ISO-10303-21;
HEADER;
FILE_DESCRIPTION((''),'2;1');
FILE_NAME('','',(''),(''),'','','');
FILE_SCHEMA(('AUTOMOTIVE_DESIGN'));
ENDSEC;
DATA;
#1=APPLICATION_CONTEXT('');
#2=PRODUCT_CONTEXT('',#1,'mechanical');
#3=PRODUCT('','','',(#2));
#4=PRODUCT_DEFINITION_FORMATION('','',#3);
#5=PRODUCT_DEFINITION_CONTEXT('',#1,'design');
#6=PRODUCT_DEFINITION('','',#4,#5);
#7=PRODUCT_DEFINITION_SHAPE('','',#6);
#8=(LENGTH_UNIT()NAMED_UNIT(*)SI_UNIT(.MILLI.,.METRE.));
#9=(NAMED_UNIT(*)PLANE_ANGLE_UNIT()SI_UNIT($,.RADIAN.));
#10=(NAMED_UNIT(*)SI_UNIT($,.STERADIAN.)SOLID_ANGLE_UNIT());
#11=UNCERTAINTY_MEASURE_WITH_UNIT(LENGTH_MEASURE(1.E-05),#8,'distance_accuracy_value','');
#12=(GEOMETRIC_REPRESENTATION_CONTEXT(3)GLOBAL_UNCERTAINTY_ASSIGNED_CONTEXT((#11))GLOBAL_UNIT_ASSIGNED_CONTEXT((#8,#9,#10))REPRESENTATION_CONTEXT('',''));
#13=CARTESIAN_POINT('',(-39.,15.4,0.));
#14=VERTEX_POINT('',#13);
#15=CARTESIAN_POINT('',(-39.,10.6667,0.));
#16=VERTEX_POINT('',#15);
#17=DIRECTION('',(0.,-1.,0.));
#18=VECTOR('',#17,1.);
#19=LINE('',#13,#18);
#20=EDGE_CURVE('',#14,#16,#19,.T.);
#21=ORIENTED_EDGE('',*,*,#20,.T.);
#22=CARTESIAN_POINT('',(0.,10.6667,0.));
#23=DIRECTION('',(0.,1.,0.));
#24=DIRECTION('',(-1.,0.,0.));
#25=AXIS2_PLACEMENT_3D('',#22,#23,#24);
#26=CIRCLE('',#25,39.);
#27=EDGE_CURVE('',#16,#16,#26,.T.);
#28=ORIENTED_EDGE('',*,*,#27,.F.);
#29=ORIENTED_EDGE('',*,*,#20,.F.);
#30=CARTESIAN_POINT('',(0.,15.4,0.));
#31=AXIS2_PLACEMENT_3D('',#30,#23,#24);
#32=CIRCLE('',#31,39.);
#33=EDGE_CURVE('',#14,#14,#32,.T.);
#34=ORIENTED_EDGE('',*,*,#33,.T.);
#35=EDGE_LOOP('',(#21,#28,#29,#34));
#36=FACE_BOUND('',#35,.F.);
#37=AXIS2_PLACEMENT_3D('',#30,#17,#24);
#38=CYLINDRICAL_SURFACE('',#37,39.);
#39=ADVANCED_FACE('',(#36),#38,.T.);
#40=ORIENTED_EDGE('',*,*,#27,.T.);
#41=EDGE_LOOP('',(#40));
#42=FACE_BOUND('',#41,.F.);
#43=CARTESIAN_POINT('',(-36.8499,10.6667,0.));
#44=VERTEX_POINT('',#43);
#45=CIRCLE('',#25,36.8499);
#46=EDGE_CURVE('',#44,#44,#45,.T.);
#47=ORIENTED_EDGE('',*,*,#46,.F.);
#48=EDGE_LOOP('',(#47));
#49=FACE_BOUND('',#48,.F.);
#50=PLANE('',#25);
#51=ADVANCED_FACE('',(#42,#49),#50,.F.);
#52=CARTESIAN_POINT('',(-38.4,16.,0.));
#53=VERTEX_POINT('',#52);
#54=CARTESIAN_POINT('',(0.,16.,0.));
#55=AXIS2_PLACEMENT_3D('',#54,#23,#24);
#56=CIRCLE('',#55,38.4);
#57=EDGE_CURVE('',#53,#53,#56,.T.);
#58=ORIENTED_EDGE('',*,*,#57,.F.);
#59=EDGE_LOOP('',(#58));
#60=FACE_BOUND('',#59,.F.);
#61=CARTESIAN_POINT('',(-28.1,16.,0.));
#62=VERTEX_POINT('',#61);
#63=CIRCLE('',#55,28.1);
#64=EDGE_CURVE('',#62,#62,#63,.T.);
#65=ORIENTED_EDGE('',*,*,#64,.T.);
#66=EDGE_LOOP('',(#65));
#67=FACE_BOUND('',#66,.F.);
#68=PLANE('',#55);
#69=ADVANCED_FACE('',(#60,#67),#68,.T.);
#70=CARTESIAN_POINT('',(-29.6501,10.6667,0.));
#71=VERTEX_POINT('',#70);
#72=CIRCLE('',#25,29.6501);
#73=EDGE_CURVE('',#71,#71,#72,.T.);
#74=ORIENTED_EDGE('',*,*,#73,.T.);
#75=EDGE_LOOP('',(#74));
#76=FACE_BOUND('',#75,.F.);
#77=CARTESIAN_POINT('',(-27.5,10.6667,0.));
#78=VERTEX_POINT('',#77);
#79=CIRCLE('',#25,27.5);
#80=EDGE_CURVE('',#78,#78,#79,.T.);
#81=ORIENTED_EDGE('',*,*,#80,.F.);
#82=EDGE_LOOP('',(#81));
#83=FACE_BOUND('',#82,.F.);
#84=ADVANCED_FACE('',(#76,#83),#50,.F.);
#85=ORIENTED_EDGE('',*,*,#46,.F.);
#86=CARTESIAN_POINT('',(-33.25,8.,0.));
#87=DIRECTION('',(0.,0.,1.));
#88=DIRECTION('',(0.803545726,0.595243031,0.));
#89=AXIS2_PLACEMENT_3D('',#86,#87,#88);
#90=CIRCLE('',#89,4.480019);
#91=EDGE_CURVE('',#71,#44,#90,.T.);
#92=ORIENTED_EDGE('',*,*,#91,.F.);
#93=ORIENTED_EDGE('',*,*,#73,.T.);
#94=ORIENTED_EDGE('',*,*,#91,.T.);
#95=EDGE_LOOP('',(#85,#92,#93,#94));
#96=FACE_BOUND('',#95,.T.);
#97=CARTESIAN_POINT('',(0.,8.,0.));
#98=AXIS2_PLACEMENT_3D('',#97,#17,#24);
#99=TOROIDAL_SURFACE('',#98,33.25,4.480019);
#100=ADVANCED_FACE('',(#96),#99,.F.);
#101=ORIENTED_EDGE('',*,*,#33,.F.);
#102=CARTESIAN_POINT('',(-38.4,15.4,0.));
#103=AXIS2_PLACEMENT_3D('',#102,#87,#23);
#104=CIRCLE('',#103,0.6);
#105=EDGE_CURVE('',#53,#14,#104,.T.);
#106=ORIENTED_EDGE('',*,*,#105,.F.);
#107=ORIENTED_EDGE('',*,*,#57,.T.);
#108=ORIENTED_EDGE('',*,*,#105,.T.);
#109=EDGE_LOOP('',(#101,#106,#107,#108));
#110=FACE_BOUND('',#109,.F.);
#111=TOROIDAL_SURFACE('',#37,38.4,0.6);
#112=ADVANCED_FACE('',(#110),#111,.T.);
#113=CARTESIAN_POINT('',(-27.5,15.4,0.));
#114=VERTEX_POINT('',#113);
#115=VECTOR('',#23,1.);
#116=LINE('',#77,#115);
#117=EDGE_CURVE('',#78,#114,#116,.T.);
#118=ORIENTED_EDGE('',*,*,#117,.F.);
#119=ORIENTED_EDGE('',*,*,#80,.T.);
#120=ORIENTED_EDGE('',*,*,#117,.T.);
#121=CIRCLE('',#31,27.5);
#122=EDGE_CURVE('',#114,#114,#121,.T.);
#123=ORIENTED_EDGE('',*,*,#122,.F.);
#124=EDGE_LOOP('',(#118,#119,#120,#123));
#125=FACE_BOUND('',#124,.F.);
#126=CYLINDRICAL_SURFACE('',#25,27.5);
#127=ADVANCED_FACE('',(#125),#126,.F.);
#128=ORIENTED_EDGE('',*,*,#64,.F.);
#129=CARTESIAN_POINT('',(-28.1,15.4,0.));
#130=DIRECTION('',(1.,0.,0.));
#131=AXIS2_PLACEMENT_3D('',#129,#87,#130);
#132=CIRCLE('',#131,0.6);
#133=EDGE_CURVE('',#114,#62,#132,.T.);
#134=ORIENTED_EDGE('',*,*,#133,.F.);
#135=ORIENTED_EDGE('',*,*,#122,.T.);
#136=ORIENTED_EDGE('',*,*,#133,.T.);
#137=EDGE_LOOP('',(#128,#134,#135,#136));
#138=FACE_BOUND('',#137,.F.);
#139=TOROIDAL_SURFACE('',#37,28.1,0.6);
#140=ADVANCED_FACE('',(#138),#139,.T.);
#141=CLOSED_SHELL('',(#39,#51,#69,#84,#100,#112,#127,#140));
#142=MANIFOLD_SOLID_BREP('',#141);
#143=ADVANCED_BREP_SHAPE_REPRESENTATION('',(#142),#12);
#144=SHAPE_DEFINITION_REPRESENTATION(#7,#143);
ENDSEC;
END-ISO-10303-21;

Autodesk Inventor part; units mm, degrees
sketch "Sketch_1" plane through (0, 0, 0) normal (0, 0, 1) x (1, 0, 0)
  line L0 (0, 16) -> (0, 10.6667)
  line L1 (-39, 10.6667) -> (-36.8499, 10.6667)
  arc A0 (-29.6501, 10.6667) -> (-36.8499, 10.6667) centre (-33.25, 8) ccw
  line L2 (-29.6501, 10.6667) -> (-27.5, 10.6667)
  line L3 (-27.5, 10.6667) -> (-27.5, 15.4)
  arc A1 (-27.5, 15.4) -> (-28.1, 16) centre (-28.1, 15.4) ccw
  line L4 (-28.1, 16) -> (-38.4, 16)
  arc A2 (-38.4, 16) -> (-39, 15.4) centre (-38.4, 15.4) ccw
  line L5 (-39, 15.4) -> (-39, 10.6667)
revolve "Revolution1" add sketch "Sketch_1" angle 360 about axis through (0, 16, 0) along (0, 1, 0)
ref_plane "tb_sdt_srd_XY" through (0, 0, 0) normal (0, 1, 0) x (1, 0, 0)
ref_plane "tb_sdt_srd_YZ" through (0, 0, 0) normal (1, 0, 0) x (0, 0, -1)
ref_plane "tb_sdt_srd_ZX" through (0, 0, 0) normal (0, 0, -1) x (0, 1, 0)
ref_plane "tb_sdt_srd1_1_XY" through (0, 8, -33.25) normal (0, 1, 0) x (1, 0, 0)
ref_plane "tb_sdt_srd1_1_YZ" through (0, 8, -33.25) normal (1, 0, 0) x (0, 0, -1)
ref_plane "tb_sdt_srd1_1_ZX" through (0, 8, -33.25) normal (0, 0, -1) x (0, 1, 0)
ref_plane "tb_sdt_srd1_10_XY" through (25.9959, 8, 20.731) normal (0, 1, 0) x (1, 0, 0)
ref_plane "tb_sdt_srd1_10_YZ" through (25.9959, 8, 20.731) normal (1, 0, 0) x (0, 0, -1)
ref_plane "tb_sdt_srd1_10_ZX" through (25.9959, 8, 20.731) normal (0, 0, -1) x (0, 1, 0)
ref_plane "tb_sdt_srd1_11_XY" through (32.4164, 8, 7.3988) normal (0, 1, 0) x (1, 0, 0)
ref_plane "tb_sdt_srd1_11_YZ" through (32.4164, 8, 7.3988) normal (1, 0, 0) x (0, 0, -1)
ref_plane "tb_sdt_srd1_11_ZX" through (32.4164, 8, 7.3988) normal (0, 0, -1) x (0, 1, 0)
ref_plane "tb_sdt_srd1_12_XY" through (32.4164, 8, -7.3988) normal (0, 1, 0) x (1, 0, 0)
ref_plane "tb_sdt_srd1_12_YZ" through (32.4164, 8, -7.3988) normal (1, 0, 0) x (0, 0, -1)
ref_plane "tb_sdt_srd1_12_ZX" through (32.4164, 8, -7.3988) normal (0, 0, -1) x (0, 1, 0)
ref_plane "tb_sdt_srd1_13_XY" through (25.9959, 8, -20.731) normal (0, 1, 0) x (1, 0, 0)
ref_plane "tb_sdt_srd1_13_YZ" through (25.9959, 8, -20.731) normal (1, 0, 0) x (0, 0, -1)
ref_plane "tb_sdt_srd1_13_ZX" through (25.9959, 8, -20.731) normal (0, 0, -1) x (0, 1, 0)
ref_plane "tb_sdt_srd1_14_XY" through (14.4266, 8, -29.9572) normal (0, 1, 0) x (1, 0, 0)
ref_plane "tb_sdt_srd1_14_YZ" through (14.4266, 8, -29.9572) normal (1, 0, 0) x (0, 0, -1)
ref_plane "tb_sdt_srd1_14_ZX" through (14.4266, 8, -29.9572) normal (0, 0, -1) x (0, 1, 0)
ref_plane "tb_sdt_srd1_2_XY" through (-14.4266, 8, -29.9572) normal (0, 1, 0) x (1, 0, 0)
ref_plane "tb_sdt_srd1_2_YZ" through (-14.4266, 8, -29.9572) normal (1, 0, 0) x (0, 0, -1)
ref_plane "tb_sdt_srd1_2_ZX" through (-14.4266, 8, -29.9572) normal (0, 0, -1) x (0, 1, 0)
ref_plane "tb_sdt_srd1_3_XY" through (-25.9959, 8, -20.731) normal (0, 1, 0) x (1, 0, 0)
ref_plane "tb_sdt_srd1_3_YZ" through (-25.9959, 8, -20.731) normal (1, 0, 0) x (0, 0, -1)
ref_plane "tb_sdt_srd1_3_ZX" through (-25.9959, 8, -20.731) normal (0, 0, -1) x (0, 1, 0)
ref_plane "tb_sdt_srd1_4_XY" through (-32.4164, 8, -7.3988) normal (0, 1, 0) x (1, 0, 0)
ref_plane "tb_sdt_srd1_4_YZ" through (-32.4164, 8, -7.3988) normal (1, 0, 0) x (0, 0, -1)
ref_plane "tb_sdt_srd1_4_ZX" through (-32.4164, 8, -7.3988) normal (0, 0, -1) x (0, 1, 0)
ref_plane "tb_sdt_srd1_5_XY" through (-32.4164, 8, 7.3988) normal (0, 1, 0) x (1, 0, 0)
ref_plane "tb_sdt_srd1_5_YZ" through (-32.4164, 8, 7.3988) normal (1, 0, 0) x (0, 0, -1)
ref_plane "tb_sdt_srd1_5_ZX" through (-32.4164, 8, 7.3988) normal (0, 0, -1) x (0, 1, 0)
ref_plane "tb_sdt_srd1_6_XY" through (-25.9959, 8, 20.731) normal (0, 1, 0) x (1, 0, 0)
ref_plane "tb_sdt_srd1_6_YZ" through (-25.9959, 8, 20.731) normal (1, 0, 0) x (0, 0, -1)
ref_plane "tb_sdt_srd1_6_ZX" through (-25.9959, 8, 20.731) normal (0, 0, -1) x (0, 1, 0)
ref_plane "tb_sdt_srd1_7_XY" through (-14.4266, 8, 29.9572) normal (0, 1, 0) x (1, 0, 0)
ref_plane "tb_sdt_srd1_7_YZ" through (-14.4266, 8, 29.9572) normal (1, 0, 0) x (0, 0, -1)
ref_plane "tb_sdt_srd1_7_ZX" through (-14.4266, 8, 29.9572) normal (0, 0, -1) x (0, 1, 0)
ref_plane "tb_sdt_srd1_8_XY" through (0, 8, 33.25) normal (0, 1, 0) x (1, 0, 0)
ref_plane "tb_sdt_srd1_8_YZ" through (0, 8, 33.25) normal (1, 0, 0) x (0, 0, -1)
ref_plane "tb_sdt_srd1_8_ZX" through (0, 8, 33.25) normal (0, 0, -1) x (0, 1, 0)
ref_plane "tb_sdt_srd1_9_XY" through (14.4266, 8, 29.9572) normal (0, 1, 0) x (1, 0, 0)
ref_plane "tb_sdt_srd1_9_YZ" through (14.4266, 8, 29.9572) normal (1, 0, 0) x (0, 0, -1)
ref_plane "tb_sdt_srd1_9_ZX" through (14.4266, 8, 29.9572) normal (0, 0, -1) x (0, 1, 0)
properties part number "51111 Shaft raceway disc"
